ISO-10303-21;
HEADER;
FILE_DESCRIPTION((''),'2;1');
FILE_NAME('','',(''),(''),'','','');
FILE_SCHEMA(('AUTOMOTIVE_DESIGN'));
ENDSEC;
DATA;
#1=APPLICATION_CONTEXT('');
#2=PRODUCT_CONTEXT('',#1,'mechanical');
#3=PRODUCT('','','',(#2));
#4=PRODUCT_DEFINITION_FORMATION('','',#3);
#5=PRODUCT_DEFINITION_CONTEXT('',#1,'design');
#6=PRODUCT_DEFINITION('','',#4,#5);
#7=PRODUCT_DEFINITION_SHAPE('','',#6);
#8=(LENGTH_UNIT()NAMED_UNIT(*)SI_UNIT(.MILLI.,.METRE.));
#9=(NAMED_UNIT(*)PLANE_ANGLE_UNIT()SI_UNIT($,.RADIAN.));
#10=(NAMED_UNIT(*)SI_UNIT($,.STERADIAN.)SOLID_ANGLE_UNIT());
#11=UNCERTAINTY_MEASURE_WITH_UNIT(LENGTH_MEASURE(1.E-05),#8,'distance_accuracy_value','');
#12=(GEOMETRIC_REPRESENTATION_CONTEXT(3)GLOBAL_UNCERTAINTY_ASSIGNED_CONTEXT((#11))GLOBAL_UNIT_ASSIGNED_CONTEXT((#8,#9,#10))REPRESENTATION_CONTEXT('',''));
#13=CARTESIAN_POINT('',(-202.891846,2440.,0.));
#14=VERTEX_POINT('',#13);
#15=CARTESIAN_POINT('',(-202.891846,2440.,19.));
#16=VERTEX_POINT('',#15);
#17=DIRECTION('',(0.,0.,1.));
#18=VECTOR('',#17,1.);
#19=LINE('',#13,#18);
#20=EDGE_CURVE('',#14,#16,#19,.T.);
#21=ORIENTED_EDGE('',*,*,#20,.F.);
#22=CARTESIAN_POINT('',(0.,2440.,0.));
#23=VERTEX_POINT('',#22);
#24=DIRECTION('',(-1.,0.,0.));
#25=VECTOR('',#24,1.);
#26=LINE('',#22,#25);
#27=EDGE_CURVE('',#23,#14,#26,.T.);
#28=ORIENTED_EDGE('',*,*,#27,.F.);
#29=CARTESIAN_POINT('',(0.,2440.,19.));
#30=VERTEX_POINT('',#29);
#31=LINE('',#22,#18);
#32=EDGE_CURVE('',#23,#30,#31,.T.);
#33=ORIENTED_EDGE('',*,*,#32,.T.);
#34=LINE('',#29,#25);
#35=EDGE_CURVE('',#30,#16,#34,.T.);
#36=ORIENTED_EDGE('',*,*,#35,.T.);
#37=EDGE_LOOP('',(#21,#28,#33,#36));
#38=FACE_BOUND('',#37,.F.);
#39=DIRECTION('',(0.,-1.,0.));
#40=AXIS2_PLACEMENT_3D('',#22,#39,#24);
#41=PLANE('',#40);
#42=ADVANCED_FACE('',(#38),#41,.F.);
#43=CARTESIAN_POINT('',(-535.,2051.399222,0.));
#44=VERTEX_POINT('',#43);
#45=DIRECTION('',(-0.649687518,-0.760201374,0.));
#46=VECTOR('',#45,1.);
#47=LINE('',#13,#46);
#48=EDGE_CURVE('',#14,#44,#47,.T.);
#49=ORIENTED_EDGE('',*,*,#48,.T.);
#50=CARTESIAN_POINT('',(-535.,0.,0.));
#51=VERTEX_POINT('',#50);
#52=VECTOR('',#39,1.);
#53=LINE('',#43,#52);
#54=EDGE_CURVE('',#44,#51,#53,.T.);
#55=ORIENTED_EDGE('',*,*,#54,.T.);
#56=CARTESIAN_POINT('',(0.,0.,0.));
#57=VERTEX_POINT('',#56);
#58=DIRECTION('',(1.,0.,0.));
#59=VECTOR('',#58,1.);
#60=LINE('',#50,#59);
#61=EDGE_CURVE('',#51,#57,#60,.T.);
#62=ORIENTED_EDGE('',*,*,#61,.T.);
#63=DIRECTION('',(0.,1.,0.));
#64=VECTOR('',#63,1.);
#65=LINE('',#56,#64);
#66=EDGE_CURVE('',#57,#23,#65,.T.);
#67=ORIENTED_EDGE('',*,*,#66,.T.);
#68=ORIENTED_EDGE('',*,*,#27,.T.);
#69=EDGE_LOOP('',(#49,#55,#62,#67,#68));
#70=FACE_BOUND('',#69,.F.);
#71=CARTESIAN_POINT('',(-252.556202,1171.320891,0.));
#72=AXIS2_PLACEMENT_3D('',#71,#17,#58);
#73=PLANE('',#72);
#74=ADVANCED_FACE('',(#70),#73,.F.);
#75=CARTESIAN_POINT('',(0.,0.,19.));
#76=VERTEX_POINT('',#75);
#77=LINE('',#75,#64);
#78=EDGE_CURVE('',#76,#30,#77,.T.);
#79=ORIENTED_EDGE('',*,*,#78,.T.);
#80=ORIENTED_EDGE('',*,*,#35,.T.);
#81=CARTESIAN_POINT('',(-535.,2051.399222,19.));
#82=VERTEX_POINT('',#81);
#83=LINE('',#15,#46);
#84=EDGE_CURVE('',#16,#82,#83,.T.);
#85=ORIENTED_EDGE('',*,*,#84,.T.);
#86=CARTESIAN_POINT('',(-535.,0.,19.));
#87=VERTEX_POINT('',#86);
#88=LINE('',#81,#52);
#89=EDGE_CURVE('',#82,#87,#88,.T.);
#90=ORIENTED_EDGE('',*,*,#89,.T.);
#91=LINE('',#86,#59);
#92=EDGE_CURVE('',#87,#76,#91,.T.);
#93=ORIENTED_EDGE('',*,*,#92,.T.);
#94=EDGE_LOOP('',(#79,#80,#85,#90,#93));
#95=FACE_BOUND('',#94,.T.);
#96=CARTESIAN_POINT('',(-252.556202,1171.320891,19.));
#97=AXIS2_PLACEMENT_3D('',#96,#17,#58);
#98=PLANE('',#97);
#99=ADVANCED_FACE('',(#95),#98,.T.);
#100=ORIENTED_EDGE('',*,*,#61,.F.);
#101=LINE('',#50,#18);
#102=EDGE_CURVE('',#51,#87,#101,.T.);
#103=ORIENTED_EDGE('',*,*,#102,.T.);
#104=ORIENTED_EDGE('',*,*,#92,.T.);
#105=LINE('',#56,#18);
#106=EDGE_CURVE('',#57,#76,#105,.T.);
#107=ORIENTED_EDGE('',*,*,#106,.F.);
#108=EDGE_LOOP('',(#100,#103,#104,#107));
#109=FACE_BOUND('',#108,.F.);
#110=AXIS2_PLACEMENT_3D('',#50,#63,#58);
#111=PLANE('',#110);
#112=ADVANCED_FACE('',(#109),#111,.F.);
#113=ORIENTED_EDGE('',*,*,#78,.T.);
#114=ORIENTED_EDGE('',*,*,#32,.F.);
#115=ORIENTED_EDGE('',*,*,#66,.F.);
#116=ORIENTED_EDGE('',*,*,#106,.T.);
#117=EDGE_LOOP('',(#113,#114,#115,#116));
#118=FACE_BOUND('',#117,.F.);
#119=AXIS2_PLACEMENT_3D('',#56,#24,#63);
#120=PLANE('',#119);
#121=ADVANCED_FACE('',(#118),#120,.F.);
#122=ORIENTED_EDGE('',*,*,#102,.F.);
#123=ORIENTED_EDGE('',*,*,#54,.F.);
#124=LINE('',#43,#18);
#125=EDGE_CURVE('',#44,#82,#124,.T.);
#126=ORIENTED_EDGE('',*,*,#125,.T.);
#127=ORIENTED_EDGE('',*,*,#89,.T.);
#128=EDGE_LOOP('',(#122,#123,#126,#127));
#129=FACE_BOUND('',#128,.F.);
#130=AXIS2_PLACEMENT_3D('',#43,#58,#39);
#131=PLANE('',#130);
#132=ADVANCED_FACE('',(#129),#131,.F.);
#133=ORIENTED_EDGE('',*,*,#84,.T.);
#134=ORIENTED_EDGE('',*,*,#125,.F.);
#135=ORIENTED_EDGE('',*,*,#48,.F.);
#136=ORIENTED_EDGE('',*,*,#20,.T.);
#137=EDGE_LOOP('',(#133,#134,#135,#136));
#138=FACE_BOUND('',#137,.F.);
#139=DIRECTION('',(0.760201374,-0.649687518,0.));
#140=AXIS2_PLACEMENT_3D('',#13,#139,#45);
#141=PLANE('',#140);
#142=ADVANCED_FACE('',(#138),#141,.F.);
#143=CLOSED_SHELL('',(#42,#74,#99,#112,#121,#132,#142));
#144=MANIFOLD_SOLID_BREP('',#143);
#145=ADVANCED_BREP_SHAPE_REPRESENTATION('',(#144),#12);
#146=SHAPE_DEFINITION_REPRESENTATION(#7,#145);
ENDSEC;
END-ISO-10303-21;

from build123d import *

# Parameters (mm, degrees)
PAD_DEPTH = 19


with BuildPart() as part:
    # Sketch → Pad (new body)
    with BuildSketch(Plane.XY):
        Polygon((0, 0), (0, 2440), (-202.891846, 2440), (-535, 2051.399222), (-535, 0), align=None)
    extrude(amount=PAD_DEPTH)


solid = part.part
